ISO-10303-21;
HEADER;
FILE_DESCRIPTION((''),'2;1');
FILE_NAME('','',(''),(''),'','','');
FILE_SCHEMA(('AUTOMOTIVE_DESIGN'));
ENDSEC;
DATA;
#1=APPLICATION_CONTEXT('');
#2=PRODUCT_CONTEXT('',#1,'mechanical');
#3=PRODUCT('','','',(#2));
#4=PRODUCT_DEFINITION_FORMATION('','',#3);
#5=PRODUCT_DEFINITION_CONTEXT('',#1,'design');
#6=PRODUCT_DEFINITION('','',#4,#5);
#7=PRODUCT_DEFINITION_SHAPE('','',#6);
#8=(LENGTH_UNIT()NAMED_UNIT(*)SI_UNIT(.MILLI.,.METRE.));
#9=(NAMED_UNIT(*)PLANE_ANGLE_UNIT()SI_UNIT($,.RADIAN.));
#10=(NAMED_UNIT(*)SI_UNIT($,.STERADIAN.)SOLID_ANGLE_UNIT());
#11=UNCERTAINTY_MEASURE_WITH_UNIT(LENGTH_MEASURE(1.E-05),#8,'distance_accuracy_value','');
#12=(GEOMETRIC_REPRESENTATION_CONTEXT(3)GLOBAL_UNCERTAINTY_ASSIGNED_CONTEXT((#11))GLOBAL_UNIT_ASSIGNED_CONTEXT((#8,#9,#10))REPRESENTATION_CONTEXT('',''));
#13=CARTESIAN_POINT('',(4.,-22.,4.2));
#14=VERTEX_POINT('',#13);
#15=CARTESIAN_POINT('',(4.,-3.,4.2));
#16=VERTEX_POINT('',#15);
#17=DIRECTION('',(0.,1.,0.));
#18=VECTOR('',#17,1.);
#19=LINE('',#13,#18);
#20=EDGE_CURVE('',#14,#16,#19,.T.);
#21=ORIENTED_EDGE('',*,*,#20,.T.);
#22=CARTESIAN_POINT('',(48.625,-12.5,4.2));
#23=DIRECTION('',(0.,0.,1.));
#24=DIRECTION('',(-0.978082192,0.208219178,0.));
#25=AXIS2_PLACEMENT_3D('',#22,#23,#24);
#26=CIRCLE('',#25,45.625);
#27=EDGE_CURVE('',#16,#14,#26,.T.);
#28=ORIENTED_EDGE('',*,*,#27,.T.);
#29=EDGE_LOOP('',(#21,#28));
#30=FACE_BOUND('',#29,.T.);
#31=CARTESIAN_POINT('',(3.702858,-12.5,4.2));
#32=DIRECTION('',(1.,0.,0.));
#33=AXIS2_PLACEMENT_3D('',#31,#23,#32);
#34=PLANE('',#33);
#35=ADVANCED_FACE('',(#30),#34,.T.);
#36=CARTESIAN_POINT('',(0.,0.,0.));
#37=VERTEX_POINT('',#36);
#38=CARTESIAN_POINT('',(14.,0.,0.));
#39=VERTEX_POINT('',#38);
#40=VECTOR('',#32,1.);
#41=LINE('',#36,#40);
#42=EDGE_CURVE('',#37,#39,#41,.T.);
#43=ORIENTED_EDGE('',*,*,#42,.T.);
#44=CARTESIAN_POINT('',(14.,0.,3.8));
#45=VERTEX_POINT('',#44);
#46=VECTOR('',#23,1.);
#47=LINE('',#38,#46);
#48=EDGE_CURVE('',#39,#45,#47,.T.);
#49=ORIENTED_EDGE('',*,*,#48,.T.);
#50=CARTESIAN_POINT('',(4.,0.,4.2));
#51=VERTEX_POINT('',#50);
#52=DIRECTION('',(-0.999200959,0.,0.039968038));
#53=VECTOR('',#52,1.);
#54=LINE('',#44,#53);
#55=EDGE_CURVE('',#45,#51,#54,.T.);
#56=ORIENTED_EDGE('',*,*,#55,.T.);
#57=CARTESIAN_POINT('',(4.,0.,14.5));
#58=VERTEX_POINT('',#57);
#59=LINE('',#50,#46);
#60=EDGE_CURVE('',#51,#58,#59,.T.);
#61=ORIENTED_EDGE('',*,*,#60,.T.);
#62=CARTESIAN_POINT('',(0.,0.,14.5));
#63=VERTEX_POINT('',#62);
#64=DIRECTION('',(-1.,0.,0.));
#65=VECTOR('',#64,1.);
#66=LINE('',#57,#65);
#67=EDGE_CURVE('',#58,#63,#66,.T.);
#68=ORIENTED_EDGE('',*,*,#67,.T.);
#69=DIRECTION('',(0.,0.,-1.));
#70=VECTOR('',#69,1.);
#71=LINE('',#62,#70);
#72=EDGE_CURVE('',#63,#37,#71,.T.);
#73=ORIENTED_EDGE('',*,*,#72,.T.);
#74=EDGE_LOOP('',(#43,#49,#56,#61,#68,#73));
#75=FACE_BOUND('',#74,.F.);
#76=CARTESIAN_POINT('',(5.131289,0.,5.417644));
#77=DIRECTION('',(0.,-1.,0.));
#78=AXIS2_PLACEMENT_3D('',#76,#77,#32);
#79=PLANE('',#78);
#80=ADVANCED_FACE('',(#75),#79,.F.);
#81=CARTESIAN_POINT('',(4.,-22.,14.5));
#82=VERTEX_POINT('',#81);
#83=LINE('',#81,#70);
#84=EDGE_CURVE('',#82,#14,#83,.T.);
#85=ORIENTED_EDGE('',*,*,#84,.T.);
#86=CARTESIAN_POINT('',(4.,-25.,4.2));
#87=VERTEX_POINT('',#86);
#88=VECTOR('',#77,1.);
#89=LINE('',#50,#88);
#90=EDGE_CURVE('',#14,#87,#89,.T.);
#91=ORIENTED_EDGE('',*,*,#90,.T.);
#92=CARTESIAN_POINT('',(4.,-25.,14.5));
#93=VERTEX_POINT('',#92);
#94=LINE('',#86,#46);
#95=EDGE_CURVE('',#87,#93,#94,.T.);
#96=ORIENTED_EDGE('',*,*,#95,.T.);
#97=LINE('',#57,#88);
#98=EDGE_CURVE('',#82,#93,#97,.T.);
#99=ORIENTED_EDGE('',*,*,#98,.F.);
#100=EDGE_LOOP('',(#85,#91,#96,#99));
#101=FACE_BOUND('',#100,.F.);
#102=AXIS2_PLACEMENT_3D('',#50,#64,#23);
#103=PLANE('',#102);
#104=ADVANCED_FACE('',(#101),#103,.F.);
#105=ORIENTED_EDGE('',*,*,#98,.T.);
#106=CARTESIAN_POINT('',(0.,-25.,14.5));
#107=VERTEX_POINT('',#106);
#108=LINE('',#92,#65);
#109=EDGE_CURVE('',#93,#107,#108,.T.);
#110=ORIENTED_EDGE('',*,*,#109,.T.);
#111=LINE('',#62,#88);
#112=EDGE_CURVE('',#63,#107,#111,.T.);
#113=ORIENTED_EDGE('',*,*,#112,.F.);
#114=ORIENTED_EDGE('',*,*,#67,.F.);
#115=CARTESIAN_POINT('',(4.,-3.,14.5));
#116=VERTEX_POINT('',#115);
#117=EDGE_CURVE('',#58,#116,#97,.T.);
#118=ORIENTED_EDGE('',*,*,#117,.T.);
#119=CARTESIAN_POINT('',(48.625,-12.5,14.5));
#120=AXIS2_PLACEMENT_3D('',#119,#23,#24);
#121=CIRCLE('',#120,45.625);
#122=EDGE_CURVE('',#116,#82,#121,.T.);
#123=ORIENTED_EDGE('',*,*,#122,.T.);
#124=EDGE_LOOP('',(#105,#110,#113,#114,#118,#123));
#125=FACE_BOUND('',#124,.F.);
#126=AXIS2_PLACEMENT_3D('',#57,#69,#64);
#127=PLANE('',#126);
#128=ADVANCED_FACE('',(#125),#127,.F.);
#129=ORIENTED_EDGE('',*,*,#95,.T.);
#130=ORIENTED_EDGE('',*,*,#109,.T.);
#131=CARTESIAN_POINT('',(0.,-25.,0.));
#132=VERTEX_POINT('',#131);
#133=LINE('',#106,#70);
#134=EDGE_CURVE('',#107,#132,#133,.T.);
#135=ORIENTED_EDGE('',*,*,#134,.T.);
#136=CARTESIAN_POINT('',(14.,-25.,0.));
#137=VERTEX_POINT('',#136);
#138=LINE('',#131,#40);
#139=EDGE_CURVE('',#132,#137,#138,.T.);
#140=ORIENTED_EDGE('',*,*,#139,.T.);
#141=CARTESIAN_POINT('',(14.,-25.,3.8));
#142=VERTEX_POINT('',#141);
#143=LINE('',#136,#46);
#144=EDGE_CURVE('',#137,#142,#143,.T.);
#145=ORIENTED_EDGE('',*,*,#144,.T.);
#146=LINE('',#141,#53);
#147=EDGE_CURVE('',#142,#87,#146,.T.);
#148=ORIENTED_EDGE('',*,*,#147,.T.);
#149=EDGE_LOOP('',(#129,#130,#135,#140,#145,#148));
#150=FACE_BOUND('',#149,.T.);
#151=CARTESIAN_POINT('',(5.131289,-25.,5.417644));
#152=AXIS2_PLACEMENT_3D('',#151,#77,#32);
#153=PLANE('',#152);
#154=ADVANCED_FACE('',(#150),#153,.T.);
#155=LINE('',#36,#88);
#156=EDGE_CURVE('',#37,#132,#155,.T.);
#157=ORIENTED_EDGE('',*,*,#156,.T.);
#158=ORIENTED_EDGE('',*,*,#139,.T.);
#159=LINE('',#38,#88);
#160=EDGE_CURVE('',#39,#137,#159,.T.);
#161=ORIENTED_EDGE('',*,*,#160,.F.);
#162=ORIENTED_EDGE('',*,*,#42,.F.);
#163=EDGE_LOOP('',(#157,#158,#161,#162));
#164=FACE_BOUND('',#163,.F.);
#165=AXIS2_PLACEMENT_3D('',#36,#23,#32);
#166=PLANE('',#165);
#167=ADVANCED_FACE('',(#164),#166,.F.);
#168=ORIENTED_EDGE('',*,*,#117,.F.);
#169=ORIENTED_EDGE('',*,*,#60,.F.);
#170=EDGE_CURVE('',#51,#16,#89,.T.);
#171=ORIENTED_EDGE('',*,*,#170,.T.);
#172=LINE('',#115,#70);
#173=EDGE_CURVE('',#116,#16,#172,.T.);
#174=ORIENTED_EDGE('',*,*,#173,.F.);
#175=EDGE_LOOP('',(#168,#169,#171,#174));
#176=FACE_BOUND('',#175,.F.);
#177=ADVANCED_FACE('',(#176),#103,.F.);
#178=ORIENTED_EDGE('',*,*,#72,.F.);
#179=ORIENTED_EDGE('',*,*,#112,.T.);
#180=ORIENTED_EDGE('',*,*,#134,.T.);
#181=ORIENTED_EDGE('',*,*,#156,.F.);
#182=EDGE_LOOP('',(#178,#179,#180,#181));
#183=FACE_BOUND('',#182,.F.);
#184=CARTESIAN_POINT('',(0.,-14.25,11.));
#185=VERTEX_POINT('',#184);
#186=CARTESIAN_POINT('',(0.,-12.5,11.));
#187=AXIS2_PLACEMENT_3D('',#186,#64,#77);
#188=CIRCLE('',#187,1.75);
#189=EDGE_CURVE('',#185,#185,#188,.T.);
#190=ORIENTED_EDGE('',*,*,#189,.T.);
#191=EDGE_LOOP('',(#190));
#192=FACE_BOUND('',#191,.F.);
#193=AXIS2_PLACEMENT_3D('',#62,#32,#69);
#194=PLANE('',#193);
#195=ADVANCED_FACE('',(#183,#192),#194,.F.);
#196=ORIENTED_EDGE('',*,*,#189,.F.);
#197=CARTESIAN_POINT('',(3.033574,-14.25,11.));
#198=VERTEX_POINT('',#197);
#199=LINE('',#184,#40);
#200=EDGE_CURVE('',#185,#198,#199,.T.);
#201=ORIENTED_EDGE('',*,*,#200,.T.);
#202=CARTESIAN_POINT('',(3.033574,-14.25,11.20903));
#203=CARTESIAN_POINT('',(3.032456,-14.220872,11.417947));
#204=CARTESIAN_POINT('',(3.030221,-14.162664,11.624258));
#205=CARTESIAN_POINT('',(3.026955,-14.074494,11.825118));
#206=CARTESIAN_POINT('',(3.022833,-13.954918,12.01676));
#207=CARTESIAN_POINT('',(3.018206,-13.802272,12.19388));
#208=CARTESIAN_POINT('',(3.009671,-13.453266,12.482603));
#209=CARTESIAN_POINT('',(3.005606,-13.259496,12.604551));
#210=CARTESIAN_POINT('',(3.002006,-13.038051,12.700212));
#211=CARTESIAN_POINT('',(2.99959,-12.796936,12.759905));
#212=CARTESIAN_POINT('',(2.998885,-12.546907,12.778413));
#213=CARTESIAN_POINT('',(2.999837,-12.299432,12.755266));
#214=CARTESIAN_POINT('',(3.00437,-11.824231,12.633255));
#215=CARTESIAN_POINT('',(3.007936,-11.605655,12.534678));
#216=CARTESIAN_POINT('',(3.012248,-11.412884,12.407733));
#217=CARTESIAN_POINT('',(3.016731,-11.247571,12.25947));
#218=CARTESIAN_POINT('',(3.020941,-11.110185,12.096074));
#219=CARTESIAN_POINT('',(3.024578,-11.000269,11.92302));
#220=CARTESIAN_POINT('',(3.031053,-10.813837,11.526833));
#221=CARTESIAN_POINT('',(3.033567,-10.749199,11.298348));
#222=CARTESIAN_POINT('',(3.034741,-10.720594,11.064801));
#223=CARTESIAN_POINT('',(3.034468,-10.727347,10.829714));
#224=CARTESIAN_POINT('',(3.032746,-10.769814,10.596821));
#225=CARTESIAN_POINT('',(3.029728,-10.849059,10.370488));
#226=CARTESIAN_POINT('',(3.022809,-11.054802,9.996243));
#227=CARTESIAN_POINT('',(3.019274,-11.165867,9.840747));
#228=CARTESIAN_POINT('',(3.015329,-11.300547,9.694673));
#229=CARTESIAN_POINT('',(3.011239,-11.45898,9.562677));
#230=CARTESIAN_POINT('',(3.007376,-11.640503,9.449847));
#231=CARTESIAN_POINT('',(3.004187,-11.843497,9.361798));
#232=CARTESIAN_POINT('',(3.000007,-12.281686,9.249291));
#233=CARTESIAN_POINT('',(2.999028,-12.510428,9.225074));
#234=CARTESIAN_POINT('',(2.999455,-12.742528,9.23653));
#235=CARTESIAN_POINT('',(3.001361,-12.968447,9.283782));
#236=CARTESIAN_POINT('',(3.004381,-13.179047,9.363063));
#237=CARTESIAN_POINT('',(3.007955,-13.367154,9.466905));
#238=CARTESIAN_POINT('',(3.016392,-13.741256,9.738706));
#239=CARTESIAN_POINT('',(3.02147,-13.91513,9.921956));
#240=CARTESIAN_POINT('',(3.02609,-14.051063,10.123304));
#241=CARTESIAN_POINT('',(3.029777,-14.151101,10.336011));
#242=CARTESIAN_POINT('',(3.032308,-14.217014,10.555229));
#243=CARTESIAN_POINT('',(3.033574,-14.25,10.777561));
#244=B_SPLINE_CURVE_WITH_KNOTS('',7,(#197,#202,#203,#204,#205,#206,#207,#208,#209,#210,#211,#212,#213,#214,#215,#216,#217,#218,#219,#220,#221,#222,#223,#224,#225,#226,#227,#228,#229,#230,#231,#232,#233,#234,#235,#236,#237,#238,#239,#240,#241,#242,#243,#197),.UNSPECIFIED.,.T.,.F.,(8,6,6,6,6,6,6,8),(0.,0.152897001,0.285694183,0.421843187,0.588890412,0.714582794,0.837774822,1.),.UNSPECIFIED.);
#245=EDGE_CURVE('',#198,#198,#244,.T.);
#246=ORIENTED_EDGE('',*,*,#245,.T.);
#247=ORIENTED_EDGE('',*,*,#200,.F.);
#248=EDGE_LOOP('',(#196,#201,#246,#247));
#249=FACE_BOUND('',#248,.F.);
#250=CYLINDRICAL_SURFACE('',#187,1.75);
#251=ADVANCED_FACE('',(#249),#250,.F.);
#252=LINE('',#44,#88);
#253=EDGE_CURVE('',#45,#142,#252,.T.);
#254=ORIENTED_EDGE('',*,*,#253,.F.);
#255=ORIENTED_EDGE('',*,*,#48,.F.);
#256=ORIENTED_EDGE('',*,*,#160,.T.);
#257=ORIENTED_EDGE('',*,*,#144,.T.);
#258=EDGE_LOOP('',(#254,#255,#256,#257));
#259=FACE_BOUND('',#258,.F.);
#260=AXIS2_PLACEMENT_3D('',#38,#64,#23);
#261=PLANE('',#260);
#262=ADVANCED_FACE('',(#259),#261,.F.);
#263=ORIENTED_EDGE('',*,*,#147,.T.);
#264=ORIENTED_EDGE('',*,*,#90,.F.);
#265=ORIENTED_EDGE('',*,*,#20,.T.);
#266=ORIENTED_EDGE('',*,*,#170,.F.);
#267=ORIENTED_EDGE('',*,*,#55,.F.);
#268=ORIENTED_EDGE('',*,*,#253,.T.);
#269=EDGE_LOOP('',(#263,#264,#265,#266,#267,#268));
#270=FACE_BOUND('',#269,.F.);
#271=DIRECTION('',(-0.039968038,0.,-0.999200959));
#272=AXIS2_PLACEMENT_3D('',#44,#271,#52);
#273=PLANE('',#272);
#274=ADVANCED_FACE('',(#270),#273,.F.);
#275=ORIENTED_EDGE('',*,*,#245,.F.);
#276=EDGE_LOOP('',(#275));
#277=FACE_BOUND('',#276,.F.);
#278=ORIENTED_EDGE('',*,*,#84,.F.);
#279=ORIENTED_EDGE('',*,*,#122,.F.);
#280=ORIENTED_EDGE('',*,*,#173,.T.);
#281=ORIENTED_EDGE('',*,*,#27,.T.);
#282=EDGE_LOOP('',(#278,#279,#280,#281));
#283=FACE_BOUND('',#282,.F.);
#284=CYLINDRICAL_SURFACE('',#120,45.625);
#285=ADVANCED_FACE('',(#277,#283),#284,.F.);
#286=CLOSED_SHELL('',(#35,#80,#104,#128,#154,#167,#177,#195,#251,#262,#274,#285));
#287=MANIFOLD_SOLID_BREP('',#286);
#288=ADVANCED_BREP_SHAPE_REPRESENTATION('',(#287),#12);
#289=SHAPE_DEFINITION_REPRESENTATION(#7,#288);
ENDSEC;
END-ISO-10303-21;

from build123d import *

# Parameters (mm, degrees)
F1_DEPTH = 25
F2_R     = 1.75
F3_DEPTH = 14.001
F5_DEPTH = 10.3


with BuildPart() as f1:
    # F0 (on Front) → F1 (new body)
    with BuildSketch(Plane.XZ):
        Polygon((0, 14.5), (0, 0), (14, 0), (14, 3.8), (4, 4.2), (4, 14.5), align=None)
    extrude(amount=F1_DEPTH)

    # F2 (on face) → F3 (cut, through all)
    with BuildSketch(Plane(origin=(0, 0, 0), x_dir=(0, -1, 0), z_dir=(-1, 0, 0))):
        with Locations((12.5, 11)):
            Circle(F2_R)
    extrude(amount=-F3_DEPTH, mode=Mode.SUBTRACT)

    # F4 (on face) → F5 (cut, through all)
    with BuildSketch(Plane.XY.offset(14.5)):
        with BuildLine():
            Line((4, -22), (4, -3))
            ThreePointArc((4, -3), (3, -12.5), (4, -22))
        make_face()
    extrude(amount=-F5_DEPTH, mode=Mode.SUBTRACT)


solid = f1.part
